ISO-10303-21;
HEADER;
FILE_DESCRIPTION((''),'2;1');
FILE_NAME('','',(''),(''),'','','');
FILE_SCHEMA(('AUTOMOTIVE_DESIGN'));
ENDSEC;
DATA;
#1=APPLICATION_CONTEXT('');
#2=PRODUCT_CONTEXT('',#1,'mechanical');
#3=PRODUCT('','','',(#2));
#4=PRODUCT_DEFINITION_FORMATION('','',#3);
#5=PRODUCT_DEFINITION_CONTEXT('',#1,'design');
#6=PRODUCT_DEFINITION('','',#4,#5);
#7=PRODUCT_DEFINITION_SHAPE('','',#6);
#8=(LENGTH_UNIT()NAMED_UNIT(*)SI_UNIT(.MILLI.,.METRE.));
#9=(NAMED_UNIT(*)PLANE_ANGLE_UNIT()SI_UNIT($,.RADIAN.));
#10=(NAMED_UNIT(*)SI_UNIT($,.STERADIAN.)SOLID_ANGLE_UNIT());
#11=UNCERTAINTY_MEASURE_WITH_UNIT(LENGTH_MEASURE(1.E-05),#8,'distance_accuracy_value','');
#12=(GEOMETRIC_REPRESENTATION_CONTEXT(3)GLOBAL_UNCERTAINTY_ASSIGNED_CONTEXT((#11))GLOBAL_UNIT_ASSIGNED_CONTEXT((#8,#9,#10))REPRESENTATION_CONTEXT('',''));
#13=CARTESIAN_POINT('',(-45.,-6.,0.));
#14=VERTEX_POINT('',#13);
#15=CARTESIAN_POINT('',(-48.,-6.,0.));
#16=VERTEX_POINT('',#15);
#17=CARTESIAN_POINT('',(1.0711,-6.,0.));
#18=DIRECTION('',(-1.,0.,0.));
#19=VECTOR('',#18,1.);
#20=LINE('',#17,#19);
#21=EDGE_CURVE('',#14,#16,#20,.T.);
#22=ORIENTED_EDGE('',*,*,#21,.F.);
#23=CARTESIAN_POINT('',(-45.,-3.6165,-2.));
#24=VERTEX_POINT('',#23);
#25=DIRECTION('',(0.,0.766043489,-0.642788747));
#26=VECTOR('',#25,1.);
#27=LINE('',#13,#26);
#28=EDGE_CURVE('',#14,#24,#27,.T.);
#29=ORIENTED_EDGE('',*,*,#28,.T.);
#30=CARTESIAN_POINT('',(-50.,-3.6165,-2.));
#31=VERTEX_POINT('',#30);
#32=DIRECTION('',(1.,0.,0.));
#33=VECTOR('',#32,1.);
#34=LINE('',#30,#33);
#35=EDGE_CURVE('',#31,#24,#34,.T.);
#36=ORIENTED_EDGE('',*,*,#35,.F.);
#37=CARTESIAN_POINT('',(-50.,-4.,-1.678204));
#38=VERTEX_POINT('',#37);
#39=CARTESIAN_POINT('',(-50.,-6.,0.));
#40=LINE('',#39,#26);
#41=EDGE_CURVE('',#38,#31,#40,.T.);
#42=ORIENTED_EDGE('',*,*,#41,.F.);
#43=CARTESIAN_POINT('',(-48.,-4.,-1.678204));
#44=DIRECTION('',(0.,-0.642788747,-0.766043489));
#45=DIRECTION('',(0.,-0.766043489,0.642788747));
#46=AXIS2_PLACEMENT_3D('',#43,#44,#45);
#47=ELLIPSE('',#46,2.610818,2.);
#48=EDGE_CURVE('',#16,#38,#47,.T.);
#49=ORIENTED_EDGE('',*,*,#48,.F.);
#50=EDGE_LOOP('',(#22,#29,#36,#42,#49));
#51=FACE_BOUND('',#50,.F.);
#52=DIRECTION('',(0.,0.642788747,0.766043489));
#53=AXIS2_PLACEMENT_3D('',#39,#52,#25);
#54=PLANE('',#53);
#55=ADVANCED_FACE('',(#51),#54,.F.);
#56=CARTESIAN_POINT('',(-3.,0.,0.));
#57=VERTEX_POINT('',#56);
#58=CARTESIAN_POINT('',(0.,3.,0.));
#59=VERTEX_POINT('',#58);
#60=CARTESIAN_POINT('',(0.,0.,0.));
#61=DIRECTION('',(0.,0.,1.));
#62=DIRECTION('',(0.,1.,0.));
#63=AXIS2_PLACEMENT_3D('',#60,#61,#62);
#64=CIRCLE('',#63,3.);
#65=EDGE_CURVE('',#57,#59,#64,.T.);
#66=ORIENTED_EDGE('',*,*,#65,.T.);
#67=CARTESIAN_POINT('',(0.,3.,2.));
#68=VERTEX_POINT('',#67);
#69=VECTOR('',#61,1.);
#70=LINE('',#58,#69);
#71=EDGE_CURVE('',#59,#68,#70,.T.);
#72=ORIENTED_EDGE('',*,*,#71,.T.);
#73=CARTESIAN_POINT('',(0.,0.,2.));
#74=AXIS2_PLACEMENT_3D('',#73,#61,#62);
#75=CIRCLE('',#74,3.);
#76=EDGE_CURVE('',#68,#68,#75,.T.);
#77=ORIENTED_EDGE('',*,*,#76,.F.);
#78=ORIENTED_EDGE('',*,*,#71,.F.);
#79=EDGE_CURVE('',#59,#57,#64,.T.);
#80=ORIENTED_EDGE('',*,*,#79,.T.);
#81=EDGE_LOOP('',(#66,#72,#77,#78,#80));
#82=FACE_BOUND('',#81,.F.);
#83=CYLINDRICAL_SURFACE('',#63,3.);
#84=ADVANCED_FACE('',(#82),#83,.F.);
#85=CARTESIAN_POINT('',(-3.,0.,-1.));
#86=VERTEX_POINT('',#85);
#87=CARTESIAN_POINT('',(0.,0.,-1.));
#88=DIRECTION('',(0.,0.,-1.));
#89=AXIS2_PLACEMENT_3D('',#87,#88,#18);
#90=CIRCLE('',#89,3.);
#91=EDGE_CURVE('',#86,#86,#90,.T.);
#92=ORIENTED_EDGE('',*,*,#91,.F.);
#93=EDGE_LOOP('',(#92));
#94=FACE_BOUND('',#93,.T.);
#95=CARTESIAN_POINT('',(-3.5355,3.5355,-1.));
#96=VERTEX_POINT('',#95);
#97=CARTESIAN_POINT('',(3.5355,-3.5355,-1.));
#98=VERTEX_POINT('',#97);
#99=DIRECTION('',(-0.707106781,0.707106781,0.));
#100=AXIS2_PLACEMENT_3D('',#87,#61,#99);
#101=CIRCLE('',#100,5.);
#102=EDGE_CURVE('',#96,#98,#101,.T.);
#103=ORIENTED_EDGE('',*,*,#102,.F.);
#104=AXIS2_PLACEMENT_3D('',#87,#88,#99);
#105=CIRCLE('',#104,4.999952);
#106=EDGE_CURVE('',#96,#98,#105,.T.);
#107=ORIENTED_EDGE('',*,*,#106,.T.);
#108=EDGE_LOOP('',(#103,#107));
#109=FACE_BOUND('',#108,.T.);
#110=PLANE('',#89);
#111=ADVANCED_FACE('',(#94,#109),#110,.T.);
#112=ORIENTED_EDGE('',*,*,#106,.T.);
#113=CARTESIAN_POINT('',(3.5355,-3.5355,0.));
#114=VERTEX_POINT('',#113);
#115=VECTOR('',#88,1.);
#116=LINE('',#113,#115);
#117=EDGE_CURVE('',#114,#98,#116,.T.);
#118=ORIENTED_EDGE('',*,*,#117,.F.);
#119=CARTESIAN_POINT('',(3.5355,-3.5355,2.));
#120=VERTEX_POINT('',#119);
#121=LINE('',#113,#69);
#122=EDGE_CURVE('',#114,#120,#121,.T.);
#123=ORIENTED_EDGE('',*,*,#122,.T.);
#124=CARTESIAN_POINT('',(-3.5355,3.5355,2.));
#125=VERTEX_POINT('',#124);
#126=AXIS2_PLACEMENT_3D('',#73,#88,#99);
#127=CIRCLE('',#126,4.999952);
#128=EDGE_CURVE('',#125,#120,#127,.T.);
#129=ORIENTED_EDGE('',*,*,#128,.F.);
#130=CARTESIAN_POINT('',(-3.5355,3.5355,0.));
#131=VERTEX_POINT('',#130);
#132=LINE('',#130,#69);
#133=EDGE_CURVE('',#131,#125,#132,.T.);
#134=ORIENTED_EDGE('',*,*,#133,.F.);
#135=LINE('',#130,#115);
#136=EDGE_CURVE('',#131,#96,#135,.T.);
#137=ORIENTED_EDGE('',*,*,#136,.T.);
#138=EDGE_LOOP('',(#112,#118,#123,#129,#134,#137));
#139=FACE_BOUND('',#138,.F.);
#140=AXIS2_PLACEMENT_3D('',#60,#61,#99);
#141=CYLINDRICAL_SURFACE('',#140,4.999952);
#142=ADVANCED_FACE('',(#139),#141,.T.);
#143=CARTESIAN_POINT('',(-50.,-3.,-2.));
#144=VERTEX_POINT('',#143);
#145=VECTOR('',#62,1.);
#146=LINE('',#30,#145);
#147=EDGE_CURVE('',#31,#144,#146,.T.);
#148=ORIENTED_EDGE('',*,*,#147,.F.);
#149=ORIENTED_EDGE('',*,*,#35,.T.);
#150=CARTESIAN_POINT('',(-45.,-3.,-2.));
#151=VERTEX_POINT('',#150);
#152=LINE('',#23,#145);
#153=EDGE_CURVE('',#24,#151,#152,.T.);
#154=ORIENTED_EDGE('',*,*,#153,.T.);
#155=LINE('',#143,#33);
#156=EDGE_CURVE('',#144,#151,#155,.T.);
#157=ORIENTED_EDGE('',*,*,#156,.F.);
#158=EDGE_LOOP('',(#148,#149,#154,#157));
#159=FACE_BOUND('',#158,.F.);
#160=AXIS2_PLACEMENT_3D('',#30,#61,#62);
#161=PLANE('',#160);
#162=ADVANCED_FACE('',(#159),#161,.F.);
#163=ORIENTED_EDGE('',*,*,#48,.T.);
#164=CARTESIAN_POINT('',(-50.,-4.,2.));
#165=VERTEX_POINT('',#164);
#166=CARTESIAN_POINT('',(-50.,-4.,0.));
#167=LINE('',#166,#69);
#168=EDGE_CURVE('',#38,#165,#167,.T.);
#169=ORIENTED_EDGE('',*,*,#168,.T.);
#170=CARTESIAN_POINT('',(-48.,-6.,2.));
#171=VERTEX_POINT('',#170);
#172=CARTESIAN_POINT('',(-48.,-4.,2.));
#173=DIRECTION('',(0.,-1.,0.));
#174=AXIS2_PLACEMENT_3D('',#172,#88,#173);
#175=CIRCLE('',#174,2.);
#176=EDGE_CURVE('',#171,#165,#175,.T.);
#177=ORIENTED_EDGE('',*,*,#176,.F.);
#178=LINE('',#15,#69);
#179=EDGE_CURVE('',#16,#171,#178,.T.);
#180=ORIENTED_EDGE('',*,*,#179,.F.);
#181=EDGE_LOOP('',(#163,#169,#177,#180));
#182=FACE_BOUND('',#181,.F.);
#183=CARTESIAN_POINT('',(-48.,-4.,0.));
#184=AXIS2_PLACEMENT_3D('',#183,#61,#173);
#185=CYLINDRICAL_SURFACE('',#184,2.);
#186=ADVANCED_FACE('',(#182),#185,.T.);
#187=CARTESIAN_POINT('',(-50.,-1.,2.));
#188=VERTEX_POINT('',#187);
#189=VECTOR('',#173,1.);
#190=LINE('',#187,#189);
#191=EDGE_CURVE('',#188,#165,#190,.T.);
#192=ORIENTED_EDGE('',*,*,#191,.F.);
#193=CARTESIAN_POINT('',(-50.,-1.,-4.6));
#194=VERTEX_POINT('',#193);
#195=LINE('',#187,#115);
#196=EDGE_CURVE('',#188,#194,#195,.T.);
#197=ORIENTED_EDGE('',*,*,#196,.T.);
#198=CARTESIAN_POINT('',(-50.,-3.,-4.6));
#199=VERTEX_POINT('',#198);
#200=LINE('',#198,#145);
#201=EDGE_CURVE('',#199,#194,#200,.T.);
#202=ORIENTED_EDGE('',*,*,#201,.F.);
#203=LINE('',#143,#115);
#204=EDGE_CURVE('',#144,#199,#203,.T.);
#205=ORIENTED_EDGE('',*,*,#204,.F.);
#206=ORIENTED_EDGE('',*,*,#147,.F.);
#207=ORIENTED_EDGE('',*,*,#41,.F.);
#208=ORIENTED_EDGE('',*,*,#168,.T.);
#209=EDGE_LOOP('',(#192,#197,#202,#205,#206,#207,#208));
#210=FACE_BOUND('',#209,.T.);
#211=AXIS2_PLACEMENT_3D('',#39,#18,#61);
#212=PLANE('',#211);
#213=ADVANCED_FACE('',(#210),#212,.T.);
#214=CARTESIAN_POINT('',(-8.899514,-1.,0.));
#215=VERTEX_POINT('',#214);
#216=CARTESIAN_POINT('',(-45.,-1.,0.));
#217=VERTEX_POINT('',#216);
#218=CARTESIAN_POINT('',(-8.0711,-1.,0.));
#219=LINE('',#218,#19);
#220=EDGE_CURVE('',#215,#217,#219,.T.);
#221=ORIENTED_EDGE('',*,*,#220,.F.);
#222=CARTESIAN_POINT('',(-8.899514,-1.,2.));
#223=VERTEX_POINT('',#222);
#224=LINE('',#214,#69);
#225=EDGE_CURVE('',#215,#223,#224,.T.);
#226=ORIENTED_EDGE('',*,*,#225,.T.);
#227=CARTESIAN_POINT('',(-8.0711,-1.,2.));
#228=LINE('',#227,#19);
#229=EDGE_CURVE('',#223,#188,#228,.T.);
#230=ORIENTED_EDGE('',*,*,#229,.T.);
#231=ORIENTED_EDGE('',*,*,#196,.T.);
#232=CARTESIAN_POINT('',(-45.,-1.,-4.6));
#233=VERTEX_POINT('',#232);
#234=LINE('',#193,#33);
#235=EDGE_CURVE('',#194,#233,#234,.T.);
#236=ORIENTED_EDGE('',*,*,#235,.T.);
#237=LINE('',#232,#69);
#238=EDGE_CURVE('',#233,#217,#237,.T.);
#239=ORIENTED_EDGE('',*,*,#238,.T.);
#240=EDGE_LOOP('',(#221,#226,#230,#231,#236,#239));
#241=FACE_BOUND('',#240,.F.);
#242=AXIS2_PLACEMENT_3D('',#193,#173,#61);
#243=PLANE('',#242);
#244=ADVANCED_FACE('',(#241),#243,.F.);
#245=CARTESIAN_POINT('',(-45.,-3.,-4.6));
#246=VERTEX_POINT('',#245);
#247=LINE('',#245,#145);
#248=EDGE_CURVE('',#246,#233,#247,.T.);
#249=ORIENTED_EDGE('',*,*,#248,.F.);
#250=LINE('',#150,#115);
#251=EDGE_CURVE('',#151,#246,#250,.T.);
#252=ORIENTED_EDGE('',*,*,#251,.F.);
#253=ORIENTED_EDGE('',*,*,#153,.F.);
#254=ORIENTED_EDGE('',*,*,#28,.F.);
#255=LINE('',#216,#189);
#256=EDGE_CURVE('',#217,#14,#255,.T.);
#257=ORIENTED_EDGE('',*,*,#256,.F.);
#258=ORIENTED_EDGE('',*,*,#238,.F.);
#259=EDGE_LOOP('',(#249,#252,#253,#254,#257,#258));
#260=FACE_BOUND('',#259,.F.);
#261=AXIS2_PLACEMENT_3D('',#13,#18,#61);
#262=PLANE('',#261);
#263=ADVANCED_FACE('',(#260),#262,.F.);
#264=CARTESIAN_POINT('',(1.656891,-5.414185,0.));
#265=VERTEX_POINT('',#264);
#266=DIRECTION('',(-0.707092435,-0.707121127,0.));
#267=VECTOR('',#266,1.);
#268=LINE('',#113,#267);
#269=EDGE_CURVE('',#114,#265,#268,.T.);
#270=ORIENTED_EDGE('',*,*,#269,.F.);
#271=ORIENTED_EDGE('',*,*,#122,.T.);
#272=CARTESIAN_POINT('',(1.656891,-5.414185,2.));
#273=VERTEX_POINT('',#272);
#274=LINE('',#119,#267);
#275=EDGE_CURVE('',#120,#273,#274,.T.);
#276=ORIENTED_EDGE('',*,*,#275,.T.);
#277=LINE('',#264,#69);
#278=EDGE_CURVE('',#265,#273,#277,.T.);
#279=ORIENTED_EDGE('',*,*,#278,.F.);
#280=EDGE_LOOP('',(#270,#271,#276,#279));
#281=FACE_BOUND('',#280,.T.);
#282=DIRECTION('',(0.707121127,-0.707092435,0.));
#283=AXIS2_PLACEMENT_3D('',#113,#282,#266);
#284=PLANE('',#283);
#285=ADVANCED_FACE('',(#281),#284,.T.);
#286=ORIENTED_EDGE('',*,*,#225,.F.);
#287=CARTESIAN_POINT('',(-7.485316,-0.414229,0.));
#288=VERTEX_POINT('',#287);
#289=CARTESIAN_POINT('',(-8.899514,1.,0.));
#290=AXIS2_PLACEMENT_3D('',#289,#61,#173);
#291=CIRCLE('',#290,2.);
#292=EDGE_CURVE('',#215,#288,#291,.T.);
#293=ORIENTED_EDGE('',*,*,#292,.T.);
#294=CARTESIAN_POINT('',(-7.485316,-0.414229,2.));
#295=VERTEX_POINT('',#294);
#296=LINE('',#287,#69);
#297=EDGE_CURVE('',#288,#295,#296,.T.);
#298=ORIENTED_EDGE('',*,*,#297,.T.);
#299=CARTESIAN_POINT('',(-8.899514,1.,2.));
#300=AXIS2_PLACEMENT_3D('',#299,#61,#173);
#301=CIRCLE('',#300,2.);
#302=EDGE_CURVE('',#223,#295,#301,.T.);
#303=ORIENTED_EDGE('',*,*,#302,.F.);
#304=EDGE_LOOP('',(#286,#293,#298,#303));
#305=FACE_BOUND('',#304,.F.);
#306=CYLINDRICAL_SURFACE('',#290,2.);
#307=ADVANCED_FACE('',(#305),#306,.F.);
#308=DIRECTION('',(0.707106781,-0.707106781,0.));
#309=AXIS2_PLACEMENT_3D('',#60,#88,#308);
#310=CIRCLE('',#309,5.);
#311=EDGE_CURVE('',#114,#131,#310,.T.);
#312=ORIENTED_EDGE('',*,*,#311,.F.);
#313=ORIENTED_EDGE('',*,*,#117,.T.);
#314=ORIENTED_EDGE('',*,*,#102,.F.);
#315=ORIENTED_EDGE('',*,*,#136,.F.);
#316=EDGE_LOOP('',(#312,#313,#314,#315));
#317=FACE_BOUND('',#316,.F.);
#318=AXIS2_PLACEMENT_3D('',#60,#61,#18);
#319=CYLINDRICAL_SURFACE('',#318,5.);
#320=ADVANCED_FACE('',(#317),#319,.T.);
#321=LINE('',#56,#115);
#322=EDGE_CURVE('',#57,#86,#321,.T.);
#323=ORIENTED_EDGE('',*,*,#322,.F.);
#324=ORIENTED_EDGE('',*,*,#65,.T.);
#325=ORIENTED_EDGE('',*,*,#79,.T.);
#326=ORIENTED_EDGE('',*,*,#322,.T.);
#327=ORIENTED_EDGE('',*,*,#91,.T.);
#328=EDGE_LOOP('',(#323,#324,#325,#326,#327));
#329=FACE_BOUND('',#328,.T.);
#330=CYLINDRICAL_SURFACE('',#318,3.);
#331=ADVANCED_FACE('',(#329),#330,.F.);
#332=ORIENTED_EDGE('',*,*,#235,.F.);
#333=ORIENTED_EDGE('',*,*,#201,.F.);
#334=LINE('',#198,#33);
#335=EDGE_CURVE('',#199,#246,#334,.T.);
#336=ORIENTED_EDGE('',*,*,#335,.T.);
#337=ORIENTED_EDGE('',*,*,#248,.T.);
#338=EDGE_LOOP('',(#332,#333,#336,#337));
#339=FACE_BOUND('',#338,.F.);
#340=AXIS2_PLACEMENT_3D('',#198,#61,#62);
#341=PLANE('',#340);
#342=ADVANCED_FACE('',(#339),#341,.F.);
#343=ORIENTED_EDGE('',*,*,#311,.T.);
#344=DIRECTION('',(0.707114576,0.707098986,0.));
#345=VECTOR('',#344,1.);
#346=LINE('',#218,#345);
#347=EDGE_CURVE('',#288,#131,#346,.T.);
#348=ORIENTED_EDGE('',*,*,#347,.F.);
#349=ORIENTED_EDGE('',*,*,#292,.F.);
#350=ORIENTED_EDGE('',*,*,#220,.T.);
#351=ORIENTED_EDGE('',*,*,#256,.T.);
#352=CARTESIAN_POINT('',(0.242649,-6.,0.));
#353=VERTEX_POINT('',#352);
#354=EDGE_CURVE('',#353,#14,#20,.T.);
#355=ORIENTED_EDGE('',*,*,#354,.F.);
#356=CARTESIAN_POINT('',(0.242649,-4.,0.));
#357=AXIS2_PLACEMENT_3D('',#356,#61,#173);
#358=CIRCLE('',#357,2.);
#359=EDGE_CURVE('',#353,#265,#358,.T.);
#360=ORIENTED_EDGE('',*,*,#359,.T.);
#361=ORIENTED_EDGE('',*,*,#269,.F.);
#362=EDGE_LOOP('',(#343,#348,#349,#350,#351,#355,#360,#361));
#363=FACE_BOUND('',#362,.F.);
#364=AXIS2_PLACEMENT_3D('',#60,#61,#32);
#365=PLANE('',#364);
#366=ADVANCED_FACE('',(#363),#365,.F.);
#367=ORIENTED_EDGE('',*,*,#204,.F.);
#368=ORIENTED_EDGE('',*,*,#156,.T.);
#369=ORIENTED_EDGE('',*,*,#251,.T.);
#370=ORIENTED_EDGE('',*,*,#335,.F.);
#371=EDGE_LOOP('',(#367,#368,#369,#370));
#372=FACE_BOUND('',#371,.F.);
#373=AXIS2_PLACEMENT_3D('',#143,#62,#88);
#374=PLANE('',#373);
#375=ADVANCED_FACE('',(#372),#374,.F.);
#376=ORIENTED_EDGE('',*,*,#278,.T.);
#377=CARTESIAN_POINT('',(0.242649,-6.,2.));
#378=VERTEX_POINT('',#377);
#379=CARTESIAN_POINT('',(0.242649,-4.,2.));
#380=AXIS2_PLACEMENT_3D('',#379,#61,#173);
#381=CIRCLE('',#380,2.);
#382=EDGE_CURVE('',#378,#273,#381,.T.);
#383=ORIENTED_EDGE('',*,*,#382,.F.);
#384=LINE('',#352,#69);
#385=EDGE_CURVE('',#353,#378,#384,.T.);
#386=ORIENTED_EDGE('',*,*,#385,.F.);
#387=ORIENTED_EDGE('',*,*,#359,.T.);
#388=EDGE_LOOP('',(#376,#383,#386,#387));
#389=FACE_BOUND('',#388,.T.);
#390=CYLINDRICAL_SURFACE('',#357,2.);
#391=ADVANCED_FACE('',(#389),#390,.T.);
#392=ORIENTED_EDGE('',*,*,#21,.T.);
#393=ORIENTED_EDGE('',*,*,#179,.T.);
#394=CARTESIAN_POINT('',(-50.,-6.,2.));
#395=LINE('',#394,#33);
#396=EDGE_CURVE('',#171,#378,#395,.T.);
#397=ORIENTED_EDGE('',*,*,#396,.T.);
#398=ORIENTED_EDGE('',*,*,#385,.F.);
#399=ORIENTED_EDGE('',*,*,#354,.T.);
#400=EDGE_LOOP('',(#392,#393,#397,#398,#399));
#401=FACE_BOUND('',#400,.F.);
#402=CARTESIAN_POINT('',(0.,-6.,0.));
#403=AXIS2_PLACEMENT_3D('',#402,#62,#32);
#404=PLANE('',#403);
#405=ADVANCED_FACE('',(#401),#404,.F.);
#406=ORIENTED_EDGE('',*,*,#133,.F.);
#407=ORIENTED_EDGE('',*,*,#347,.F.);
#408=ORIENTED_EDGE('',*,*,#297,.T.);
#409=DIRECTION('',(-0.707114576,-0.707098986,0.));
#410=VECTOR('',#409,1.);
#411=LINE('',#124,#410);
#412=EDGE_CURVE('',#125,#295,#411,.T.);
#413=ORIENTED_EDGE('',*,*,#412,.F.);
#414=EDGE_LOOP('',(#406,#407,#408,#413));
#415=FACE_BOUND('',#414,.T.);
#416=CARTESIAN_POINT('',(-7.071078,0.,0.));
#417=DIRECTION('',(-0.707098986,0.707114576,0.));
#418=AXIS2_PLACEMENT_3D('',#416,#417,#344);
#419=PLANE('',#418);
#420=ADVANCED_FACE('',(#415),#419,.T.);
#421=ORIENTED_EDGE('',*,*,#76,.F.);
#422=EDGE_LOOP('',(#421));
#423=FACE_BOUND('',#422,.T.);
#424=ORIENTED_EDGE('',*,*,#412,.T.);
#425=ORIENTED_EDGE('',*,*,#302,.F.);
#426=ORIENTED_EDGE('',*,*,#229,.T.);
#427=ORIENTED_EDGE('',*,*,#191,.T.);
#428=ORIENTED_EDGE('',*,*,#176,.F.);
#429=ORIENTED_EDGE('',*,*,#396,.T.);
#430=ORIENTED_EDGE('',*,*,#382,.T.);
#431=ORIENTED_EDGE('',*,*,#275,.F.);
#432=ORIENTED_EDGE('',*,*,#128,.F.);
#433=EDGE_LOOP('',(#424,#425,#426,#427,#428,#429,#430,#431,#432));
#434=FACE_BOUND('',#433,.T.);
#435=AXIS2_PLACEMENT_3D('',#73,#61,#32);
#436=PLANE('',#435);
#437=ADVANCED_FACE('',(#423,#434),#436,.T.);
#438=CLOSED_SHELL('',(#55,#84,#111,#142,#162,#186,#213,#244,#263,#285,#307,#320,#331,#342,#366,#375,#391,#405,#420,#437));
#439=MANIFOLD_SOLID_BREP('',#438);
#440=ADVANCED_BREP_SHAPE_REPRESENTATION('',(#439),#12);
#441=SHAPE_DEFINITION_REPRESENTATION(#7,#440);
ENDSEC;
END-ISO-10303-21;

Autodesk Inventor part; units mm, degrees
ref_plane "YZ Plane" through (0, 0, 0) normal (1, 0, 0) x (0, 1, 0)
ref_plane "XZ Plane" through (0, 0, 0) normal (0, 1, 0) x (-1, 0, 0)
ref_plane "XY Plane" through (0, 0, 0) normal (0, 0, 1) x (1, 0, 0)
sketch "Skizze1" plane through (0, 0, 0) normal (0, 0, 1) x (1, 0, 0)
  line L0 (0, 9.6853) -> (0, -8.6142) projected
  line L1 (-61.4142, 0) -> (18.4853, 0) projected
  arc A0 (3.5355, -3.5355) -> (-3.5355, 3.5355) centre (0, 0) ccw
  line L2 (-8.0711, -1) -> (-50, -1)
  line L3 (-50, -1) -> (-50, -6)
  line L4 (-50, -6) -> (1.0711, -6)
  line L5 (3.5355, -3.5355) -> (1.0711, -6)
  line L6 (-8.0711, -1) -> (-3.5355, 3.5355)
  dimension "d1" = 5
  dimension "d2" = 1
  dimension "d3" = 5
  dimension "d21" = 50
  dimension "d22" = 45
extrude "Extrusion1" add sketch "Skizze1" along normal blind 2
sketch "Skizze2" plane through (0, 0, 0) normal (0, 0, 1) x (1, 0, 0)
  point P0 (0, 0)
  point P1 (0, 0)
hole "Bohrung1" at (0, 0, 0) direction (0, 0, 1) diameter 6 end through all
sketch "Skizze5" plane through (-50, -6, 0) normal (-1, 0, 0) x (0, 0, 1)
  line L0 (0, 5) -> (0, 0) projected
  line L1 (0, 0) -> (2, 0) projected
  line L2 (2, 5) -> (2, 0) projected
  line L3 (0, 5) -> (2, 5) projected
  line L4 (0, 0) -> (2, 0) projected
  line L5 (0, 0) -> (-2, 2.3835)
  line L6 (-2, 2.3835) -> (-2, 3)
  line L7 (0, 5) -> (0, 0) projected
  line L8 (0, 0) -> (0, 5)
  line L9 (-2, 3) -> (-4.6, 3)
  line L10 (-4.6, 3) -> (-4.6, 5)
  line L11 (-4.6, 5) -> (0, 5)
  point P0 (0, 6)
  dimension "d23" = 40
  dimension "d28" = 3
  dimension "d29" = 2
  dimension "d30" = 4.6
extrude "Extrusion4" add sketch "Skizze5" against normal blind 5 contours L0 L5 L6 L9 L10 L11
fillet "Rundung1" radius 2 3 edges at (1.0711, -6, 1) (-8.0711, -1, 1) (-50, -6, 1)
sketch "Skizze8" plane through (0, 0, 0) normal (0, 0, -1) x (-1, 0, 0)
  circle A0 centre (0, 0) radius 5
  arc A1 (3.5355, 3.5355) -> (-3.5355, -3.5355) centre (0, 0) ccw projected
  circle A2 centre (0, 0) radius 3 projected
  circle A3 centre (0, 0) radius 3
  dimension "d41" = 6
extrude "Extrusion7" add sketch "Skizze8" along normal blind 1
sketch "Skizze6" plane through (0, 0, -1) normal (0, 0, -1) x (-1, 0, 0)
  circle A0 centre (0, 0) radius 1.5
  circle A1 centre (0, 0) radius 3 projected
  dimension "d32" = 3
extrude "Extrusion5" [suppressed]
sketch "Skizze7" plane through (0, 0, -12.2) normal (0, 0, -1) x (-1, 0, 0)
  line L0 (0.2, 2) -> (-0.2, 2)
  line L1 (-0.2, 2) -> (-0.2, -2)
  line L2 (-0.2, -2) -> (0.2, -2)
  line L3 (0.2, -2) -> (0.2, 2)
  line L4 (0.2, 2) -> (-0.2, -2) construction
  line L5 (-0.2, 2) -> (0.2, -2) construction
  point P0 (0, 0)
  dimension "d35" = 0.4
  dimension "d36" = 4
extrude "Extrusion6" [suppressed]
sketch "Skizze9" plane through (0, 0, -1) normal (0, 0, -1) x (-1, 0, 0)
  ellipse E0 centre (0, 0) end of major axis (0, -3.3) minor radius 3
  circle A0 centre (0, 0) radius 3 construction
  dimension "d42" = 3.3
  dimension "d43" = 3
extrude "Extrusion8" [suppressed]
chamfer "Fase1" [suppressed]
properties part number "Akkusperre Klein"
